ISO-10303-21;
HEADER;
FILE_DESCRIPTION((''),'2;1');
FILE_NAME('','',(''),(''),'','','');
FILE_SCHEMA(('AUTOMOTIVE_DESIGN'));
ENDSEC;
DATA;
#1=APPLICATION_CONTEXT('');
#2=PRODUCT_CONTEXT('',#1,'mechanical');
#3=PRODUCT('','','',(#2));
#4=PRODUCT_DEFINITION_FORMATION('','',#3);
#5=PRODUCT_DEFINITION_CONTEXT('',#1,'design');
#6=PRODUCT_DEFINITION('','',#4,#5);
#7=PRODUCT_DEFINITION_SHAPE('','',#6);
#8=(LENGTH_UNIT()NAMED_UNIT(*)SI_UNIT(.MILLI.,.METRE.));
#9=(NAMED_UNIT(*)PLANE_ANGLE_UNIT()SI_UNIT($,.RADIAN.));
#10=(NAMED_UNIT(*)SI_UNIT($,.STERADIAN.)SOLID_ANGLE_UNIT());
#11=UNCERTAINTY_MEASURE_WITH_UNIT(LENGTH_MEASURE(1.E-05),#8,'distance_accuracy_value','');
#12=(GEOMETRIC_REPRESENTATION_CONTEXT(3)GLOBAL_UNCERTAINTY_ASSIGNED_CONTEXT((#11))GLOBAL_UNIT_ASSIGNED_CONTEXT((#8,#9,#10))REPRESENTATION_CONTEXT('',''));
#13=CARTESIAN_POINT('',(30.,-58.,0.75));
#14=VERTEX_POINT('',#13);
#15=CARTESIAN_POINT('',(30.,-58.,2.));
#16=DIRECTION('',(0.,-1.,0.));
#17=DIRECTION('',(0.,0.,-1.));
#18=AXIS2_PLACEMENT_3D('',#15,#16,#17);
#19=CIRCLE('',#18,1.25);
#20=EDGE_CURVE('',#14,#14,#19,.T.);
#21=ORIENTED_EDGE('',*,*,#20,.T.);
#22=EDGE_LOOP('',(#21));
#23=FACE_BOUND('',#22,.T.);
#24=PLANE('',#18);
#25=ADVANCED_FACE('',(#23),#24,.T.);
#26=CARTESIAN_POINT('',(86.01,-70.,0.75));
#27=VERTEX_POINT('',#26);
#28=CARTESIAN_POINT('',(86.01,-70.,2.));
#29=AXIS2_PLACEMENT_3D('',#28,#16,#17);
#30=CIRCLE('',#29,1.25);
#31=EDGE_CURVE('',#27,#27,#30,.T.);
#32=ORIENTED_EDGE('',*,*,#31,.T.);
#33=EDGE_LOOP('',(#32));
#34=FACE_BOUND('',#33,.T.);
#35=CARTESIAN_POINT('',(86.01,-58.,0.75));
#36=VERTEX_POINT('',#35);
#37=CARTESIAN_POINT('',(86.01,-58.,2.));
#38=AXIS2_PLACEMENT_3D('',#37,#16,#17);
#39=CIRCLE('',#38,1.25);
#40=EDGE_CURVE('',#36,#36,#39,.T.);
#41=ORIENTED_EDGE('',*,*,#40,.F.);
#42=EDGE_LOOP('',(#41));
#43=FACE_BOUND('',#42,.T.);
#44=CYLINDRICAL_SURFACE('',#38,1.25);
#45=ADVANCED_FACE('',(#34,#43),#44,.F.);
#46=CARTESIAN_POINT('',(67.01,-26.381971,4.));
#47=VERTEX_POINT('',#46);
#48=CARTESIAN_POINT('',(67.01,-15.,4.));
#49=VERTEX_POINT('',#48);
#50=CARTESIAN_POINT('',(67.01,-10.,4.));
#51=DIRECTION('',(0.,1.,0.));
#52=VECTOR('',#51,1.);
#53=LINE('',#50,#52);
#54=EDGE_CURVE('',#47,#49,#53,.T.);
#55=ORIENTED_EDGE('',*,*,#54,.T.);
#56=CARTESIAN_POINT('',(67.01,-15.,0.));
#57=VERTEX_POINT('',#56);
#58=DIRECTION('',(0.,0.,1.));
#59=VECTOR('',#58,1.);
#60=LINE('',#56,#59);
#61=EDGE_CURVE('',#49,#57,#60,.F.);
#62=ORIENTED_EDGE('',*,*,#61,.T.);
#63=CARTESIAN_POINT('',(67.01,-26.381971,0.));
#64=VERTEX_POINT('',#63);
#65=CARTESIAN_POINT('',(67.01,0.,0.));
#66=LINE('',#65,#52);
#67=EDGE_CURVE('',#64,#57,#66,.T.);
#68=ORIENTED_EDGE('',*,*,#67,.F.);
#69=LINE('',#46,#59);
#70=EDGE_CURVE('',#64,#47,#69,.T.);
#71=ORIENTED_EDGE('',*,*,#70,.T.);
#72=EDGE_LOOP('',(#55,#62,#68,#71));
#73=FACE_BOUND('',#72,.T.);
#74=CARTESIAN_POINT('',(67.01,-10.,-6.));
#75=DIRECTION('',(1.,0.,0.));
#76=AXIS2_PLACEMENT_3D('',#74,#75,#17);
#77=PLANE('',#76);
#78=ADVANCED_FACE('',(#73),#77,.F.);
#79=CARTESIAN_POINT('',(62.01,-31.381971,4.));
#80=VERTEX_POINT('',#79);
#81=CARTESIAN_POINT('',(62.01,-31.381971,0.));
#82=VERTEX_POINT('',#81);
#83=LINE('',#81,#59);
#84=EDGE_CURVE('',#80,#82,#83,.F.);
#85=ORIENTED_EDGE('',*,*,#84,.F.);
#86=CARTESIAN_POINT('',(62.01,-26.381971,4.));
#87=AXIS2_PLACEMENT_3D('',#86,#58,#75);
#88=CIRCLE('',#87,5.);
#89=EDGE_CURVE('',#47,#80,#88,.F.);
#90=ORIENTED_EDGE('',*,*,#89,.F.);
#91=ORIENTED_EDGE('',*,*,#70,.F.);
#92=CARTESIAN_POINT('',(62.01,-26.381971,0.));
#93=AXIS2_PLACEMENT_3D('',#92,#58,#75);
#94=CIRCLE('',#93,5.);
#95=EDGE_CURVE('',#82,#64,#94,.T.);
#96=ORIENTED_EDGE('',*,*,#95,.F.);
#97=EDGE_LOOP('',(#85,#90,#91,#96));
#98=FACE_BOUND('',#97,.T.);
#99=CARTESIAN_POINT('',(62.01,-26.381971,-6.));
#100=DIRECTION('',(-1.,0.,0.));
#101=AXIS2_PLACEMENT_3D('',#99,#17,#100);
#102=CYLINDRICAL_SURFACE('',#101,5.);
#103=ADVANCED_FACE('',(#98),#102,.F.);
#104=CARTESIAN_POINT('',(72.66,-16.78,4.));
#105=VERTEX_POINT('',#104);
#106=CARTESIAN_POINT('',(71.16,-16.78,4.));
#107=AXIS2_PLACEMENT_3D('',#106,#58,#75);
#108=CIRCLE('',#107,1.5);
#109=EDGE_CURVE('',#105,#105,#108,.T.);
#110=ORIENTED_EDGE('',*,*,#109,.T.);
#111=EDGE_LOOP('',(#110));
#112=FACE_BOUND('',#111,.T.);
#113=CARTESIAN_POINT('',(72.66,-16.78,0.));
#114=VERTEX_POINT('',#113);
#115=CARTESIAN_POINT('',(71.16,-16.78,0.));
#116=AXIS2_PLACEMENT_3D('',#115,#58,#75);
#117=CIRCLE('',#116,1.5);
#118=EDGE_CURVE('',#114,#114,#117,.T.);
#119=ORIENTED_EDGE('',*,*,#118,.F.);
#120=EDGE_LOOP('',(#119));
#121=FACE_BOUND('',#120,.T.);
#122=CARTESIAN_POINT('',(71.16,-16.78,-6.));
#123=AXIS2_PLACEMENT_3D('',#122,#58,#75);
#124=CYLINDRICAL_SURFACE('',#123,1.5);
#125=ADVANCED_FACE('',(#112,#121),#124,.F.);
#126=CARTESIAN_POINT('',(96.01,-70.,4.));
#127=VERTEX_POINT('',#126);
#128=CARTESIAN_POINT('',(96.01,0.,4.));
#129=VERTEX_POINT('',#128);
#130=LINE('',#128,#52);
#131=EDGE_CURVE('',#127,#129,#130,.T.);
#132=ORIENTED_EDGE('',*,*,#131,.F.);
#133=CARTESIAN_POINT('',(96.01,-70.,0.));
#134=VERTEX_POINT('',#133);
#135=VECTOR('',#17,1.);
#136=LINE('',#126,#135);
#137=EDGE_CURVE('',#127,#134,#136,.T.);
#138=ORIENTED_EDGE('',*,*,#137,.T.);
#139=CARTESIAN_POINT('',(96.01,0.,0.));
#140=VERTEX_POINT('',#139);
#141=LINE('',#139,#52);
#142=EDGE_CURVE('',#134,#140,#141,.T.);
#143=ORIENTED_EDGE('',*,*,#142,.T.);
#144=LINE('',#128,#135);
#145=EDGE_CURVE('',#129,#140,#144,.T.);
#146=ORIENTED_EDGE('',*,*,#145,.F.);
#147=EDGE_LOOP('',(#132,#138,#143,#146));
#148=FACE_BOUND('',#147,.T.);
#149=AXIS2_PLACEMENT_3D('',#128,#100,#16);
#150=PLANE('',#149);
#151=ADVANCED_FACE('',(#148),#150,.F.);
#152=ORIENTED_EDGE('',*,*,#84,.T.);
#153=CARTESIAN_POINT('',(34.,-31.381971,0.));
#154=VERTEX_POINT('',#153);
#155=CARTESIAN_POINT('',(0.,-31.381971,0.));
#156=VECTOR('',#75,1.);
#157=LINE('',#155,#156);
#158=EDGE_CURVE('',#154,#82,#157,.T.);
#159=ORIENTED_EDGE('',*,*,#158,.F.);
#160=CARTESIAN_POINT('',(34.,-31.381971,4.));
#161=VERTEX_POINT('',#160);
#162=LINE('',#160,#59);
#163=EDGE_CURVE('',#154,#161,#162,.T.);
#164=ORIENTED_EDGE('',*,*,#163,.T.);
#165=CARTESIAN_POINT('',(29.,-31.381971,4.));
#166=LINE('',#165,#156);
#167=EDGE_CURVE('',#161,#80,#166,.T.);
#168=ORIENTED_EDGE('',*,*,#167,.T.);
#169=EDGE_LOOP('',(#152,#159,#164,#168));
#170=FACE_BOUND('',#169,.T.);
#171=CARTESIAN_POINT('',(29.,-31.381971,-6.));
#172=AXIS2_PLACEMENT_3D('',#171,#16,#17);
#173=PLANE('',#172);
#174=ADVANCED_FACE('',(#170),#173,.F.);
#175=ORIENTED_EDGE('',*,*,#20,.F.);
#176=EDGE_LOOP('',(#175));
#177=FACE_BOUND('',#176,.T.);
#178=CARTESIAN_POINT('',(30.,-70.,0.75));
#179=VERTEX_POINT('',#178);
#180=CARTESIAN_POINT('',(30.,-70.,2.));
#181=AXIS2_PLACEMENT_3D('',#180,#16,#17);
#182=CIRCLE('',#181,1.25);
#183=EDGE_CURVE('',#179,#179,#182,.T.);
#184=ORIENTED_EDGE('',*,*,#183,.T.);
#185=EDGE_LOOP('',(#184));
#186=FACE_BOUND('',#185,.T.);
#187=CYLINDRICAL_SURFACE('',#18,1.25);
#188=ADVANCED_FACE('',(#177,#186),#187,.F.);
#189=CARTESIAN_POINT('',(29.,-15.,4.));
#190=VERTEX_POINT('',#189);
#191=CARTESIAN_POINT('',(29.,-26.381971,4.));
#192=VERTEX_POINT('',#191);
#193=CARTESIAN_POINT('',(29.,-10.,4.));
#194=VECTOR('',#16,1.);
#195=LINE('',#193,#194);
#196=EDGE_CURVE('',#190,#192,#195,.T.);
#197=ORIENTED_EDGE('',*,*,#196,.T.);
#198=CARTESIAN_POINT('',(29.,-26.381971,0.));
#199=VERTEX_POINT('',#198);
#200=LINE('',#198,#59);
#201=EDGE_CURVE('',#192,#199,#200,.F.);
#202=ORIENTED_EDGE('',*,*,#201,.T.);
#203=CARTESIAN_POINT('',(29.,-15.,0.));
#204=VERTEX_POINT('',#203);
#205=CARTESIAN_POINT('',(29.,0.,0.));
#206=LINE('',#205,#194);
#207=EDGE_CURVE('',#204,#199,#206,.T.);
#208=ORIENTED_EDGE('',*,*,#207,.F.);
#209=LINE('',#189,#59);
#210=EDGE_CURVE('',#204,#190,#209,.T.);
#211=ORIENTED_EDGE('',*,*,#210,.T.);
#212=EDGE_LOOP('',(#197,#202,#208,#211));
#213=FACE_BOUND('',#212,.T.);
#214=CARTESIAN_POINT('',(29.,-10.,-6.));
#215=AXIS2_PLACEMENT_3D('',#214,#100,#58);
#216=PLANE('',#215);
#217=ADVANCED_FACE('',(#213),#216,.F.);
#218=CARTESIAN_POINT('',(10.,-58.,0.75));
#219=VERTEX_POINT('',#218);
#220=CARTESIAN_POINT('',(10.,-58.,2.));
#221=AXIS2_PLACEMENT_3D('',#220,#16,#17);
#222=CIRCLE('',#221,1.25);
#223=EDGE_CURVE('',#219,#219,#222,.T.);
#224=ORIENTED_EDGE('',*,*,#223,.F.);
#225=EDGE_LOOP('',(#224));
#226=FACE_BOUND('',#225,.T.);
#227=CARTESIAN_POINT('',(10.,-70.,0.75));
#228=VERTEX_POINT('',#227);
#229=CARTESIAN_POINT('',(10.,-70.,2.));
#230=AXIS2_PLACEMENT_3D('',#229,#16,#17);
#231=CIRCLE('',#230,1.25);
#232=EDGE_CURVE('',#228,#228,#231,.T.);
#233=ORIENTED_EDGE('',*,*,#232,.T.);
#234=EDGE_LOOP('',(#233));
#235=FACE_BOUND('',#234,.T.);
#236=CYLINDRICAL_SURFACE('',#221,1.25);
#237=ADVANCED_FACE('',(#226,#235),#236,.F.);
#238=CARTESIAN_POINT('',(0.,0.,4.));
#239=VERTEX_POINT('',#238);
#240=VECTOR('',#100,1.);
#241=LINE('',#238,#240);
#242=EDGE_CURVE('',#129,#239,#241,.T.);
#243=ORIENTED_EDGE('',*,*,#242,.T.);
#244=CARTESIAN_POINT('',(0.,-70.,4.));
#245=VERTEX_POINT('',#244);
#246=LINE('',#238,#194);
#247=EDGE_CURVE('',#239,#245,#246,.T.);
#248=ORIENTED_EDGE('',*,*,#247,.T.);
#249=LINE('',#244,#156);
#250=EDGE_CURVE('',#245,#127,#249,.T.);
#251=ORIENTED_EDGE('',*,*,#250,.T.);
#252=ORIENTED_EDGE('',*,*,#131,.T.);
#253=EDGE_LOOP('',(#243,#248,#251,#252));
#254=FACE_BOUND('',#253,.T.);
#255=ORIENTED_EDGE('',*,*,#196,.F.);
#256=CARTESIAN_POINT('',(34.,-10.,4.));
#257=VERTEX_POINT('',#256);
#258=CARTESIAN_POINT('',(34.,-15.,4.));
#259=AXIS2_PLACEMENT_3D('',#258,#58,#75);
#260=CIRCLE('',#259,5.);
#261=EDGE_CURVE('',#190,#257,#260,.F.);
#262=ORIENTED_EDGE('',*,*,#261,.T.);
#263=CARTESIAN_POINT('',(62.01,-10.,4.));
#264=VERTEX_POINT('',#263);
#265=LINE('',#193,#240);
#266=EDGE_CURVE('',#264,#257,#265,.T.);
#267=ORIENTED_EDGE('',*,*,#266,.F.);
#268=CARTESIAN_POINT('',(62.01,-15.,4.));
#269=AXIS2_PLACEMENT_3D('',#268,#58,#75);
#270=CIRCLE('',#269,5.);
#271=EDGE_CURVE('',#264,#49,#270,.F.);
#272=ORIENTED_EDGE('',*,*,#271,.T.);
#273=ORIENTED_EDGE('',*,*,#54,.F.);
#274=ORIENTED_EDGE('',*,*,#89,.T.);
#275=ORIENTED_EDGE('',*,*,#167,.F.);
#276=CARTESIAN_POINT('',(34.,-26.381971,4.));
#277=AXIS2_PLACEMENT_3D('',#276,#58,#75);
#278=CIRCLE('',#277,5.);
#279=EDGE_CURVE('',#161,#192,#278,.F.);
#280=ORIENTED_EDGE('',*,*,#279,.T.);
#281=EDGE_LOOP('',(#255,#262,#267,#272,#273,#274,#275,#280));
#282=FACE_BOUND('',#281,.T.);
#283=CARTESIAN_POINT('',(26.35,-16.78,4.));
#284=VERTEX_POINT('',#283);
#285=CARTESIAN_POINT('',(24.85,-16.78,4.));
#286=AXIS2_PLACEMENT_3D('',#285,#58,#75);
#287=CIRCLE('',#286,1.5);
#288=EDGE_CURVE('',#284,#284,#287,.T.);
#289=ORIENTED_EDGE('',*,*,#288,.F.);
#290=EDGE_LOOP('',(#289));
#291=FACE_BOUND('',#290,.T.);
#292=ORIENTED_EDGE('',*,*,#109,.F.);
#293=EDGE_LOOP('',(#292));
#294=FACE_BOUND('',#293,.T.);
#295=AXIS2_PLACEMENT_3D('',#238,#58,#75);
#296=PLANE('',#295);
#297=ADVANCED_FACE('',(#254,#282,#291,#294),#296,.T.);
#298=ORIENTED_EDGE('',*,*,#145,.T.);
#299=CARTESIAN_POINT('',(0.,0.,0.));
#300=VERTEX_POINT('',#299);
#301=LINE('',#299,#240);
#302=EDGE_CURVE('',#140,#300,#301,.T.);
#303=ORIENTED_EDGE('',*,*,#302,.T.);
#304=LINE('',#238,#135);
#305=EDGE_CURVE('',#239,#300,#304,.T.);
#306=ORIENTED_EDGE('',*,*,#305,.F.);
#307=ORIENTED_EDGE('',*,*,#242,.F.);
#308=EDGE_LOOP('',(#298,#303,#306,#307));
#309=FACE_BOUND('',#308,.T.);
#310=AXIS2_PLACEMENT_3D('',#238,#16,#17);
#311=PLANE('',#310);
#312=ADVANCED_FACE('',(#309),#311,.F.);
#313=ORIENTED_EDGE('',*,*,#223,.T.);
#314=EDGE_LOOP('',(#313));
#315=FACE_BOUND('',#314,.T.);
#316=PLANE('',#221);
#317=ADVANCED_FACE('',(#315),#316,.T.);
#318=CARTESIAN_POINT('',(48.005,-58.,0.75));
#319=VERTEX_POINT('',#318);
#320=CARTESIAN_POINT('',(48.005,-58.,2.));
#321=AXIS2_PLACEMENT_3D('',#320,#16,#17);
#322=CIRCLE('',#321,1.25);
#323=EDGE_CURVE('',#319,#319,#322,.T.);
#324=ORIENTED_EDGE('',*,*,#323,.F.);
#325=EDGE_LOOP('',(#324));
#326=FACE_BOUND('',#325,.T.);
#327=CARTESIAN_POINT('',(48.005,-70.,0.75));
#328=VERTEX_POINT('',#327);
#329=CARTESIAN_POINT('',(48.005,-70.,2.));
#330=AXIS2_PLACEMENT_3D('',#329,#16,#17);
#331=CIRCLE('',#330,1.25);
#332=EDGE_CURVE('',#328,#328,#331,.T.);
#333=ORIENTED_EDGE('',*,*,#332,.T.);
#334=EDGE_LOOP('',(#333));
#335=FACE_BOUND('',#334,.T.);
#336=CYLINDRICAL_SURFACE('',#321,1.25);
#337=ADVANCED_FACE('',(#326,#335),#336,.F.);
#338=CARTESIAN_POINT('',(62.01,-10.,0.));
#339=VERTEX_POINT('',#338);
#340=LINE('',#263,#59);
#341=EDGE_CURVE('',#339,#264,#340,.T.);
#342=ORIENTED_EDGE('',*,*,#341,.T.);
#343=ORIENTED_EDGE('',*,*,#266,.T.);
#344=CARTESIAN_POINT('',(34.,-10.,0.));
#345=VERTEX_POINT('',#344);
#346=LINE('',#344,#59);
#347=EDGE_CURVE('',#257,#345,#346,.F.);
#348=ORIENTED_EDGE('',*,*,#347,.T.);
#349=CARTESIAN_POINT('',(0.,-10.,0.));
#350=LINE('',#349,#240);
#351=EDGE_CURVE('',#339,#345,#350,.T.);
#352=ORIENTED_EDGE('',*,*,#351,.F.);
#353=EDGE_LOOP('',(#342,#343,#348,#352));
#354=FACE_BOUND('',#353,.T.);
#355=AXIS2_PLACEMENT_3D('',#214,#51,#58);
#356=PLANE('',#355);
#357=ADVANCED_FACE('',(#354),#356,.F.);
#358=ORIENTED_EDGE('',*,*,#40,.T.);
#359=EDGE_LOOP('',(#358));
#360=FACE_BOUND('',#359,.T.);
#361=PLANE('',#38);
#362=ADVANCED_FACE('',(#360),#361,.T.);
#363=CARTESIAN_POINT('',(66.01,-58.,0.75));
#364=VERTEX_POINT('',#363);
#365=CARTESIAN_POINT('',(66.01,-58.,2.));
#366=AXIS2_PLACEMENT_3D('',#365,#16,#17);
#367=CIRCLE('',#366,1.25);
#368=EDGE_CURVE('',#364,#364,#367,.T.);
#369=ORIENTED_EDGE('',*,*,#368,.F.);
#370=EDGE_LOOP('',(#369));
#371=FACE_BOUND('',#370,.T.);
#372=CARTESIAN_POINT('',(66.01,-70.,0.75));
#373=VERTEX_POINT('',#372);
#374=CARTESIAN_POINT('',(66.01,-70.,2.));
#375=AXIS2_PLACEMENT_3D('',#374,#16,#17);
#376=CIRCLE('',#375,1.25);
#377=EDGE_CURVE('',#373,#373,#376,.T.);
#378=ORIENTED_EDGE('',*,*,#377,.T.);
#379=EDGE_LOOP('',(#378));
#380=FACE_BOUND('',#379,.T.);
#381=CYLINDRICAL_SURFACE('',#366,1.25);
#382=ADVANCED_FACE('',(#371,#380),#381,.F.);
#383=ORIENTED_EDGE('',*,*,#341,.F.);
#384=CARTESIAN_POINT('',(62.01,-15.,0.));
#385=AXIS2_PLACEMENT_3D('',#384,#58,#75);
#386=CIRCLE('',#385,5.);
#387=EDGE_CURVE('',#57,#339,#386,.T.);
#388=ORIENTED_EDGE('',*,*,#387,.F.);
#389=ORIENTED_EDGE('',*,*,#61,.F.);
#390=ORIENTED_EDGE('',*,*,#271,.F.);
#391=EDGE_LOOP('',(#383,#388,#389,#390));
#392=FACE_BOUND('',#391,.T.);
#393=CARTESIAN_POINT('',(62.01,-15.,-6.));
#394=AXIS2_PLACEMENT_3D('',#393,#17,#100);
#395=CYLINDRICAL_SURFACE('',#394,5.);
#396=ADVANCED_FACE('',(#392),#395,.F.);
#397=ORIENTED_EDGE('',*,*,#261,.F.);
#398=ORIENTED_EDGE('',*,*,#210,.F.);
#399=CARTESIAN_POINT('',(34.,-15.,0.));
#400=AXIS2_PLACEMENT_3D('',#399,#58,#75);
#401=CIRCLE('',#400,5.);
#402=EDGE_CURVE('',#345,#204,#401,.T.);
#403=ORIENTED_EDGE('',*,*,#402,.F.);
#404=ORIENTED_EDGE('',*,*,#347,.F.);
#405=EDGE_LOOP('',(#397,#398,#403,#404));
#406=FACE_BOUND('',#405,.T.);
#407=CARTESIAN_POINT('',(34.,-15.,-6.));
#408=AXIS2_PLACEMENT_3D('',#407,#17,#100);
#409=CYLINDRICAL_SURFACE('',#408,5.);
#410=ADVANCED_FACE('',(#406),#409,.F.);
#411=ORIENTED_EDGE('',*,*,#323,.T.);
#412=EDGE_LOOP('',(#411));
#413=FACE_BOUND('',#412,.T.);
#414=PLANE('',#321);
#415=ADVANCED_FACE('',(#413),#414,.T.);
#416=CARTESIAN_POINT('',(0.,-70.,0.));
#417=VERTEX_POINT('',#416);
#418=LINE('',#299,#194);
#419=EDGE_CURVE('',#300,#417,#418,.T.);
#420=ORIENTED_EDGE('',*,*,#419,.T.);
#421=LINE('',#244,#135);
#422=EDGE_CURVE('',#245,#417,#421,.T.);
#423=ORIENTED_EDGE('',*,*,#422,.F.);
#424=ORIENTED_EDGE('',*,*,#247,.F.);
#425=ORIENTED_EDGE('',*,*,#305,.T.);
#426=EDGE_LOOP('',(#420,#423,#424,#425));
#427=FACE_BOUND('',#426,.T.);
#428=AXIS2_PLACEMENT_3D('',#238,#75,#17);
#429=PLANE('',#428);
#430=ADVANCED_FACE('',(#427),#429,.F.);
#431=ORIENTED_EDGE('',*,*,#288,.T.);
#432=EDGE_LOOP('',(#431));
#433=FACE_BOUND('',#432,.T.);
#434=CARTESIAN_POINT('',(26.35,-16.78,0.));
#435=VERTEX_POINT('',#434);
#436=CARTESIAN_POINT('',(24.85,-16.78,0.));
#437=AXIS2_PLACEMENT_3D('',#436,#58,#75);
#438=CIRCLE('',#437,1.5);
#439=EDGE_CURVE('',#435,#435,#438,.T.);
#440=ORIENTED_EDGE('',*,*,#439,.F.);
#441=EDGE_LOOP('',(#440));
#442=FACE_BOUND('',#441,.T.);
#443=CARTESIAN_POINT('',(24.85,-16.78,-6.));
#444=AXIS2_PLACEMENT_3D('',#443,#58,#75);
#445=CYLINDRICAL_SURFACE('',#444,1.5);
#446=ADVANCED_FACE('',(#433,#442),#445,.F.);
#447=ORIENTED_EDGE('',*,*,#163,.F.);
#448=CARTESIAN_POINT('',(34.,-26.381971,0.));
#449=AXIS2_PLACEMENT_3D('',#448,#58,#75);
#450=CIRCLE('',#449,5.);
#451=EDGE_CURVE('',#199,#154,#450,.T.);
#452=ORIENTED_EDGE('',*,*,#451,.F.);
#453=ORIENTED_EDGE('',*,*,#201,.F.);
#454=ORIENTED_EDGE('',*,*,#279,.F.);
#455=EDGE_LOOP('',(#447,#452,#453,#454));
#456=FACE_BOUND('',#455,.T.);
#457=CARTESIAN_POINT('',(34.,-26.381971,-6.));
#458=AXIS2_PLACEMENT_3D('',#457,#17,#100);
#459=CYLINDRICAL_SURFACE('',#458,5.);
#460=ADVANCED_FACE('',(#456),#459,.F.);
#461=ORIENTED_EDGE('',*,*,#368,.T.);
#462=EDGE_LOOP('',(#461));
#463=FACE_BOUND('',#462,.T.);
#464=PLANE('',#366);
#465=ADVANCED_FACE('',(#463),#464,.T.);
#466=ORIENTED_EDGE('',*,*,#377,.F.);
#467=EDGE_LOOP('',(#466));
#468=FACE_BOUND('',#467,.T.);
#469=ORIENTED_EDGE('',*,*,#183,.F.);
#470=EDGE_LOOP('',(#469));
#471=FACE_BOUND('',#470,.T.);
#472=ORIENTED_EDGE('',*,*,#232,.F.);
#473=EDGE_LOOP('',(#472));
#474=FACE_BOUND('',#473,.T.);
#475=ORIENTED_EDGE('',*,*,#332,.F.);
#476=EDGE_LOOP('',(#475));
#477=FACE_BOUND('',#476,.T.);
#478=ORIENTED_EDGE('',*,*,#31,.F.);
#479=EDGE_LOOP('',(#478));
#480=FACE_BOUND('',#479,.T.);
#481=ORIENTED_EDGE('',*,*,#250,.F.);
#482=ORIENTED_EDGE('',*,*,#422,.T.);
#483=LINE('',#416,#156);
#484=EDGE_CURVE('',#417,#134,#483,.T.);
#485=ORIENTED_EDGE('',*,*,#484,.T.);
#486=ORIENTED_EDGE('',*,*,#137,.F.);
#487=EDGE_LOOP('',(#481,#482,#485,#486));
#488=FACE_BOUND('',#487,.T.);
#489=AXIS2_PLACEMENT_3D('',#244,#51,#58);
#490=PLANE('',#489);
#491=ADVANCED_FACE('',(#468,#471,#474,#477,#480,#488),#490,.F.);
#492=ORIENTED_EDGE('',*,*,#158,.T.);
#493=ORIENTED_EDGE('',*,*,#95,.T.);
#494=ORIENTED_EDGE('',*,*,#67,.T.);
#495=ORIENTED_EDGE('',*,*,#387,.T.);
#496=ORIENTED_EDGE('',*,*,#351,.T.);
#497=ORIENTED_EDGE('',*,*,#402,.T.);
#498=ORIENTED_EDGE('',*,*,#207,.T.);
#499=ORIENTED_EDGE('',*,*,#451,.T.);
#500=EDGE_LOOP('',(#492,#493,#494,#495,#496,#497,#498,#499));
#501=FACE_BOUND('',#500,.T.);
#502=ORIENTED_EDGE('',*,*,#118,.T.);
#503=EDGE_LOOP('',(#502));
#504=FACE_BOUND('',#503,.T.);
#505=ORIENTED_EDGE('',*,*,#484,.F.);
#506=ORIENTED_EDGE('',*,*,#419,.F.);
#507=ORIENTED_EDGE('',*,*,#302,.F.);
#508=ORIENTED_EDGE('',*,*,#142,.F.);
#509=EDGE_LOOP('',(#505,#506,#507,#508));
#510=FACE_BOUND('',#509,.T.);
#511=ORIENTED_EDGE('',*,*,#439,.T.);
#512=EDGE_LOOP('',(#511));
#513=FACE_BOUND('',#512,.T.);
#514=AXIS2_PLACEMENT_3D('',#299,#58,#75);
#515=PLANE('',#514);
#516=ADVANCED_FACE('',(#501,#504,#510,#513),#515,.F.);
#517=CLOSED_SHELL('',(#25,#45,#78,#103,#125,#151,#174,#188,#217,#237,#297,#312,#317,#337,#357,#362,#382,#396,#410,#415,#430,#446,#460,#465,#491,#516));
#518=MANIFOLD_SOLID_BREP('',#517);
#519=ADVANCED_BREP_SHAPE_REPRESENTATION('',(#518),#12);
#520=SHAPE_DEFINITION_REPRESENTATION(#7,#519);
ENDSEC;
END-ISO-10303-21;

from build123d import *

# Parameters (mm, degrees)
ESBO_O1_W                = 96.01
ESBO_O1_H                = 70
RESSALTO_EXTRUS_O1_DEPTH = 4
ESBO_O2_R                = 1.25
CORTE_EXTRUS_O1_DEPTH    = 12
ESBO_O3_R                = 1.5
ESBO_O3_W                = 38.01
ESBO_O3_H                = 21.381971147
CORTE_EXTRUS_O2_DEPTH    = 10
FILETE1_R                = 5


with BuildPart() as part:
    # Esboço1 → Ressalto-extrusão1 (new body)
    with BuildSketch(Plane.XY):
        with Locations((48.005, -35)):
            Rectangle(ESBO_O1_W, ESBO_O1_H)
    extrude(amount=RESSALTO_EXTRUS_O1_DEPTH)

    # Esboço2 → Corte-extrusão1 (cut)
    with BuildSketch(Plane(origin=(0, -70, 0), x_dir=(-1, 0, 0), z_dir=(0, -1, 0))):
        with Locations((-48.005, -2)):
            Circle(ESBO_O2_R)
        with Locations((-10, -2)):
            Circle(ESBO_O2_R)
        with Locations((-30, -2)):
            Circle(ESBO_O2_R)
        with Locations((-66.01, -2)):
            Circle(ESBO_O2_R)
        with Locations((-86.01, -2)):
            Circle(ESBO_O2_R)
    extrude(amount=-CORTE_EXTRUS_O1_DEPTH, mode=Mode.SUBTRACT)

    # Esboço3 → Corte-extrusão2 (cut)
    with BuildSketch(Plane.XY.offset(4)):
        with Locations((24.85, -16.78)):
            Circle(ESBO_O3_R)
        with Locations((71.16, -16.78)):
            Circle(ESBO_O3_R)
        with Locations((48.005, -20.690985574)):
            Rectangle(ESBO_O3_W, ESBO_O3_H)
    extrude(amount=-CORTE_EXTRUS_O2_DEPTH, mode=Mode.SUBTRACT)

    # Filete1
    filete1_edges = [part.edges().sort_by_distance(p)[0] for p in [
        (29, -31.381971147, 2),
        (29, -10, 2),
        (67.01, -10, 2),
        (67.01, -31.381971147, 2),
    ]]
    fillet(filete1_edges, radius=FILETE1_R)


solid = part.part
